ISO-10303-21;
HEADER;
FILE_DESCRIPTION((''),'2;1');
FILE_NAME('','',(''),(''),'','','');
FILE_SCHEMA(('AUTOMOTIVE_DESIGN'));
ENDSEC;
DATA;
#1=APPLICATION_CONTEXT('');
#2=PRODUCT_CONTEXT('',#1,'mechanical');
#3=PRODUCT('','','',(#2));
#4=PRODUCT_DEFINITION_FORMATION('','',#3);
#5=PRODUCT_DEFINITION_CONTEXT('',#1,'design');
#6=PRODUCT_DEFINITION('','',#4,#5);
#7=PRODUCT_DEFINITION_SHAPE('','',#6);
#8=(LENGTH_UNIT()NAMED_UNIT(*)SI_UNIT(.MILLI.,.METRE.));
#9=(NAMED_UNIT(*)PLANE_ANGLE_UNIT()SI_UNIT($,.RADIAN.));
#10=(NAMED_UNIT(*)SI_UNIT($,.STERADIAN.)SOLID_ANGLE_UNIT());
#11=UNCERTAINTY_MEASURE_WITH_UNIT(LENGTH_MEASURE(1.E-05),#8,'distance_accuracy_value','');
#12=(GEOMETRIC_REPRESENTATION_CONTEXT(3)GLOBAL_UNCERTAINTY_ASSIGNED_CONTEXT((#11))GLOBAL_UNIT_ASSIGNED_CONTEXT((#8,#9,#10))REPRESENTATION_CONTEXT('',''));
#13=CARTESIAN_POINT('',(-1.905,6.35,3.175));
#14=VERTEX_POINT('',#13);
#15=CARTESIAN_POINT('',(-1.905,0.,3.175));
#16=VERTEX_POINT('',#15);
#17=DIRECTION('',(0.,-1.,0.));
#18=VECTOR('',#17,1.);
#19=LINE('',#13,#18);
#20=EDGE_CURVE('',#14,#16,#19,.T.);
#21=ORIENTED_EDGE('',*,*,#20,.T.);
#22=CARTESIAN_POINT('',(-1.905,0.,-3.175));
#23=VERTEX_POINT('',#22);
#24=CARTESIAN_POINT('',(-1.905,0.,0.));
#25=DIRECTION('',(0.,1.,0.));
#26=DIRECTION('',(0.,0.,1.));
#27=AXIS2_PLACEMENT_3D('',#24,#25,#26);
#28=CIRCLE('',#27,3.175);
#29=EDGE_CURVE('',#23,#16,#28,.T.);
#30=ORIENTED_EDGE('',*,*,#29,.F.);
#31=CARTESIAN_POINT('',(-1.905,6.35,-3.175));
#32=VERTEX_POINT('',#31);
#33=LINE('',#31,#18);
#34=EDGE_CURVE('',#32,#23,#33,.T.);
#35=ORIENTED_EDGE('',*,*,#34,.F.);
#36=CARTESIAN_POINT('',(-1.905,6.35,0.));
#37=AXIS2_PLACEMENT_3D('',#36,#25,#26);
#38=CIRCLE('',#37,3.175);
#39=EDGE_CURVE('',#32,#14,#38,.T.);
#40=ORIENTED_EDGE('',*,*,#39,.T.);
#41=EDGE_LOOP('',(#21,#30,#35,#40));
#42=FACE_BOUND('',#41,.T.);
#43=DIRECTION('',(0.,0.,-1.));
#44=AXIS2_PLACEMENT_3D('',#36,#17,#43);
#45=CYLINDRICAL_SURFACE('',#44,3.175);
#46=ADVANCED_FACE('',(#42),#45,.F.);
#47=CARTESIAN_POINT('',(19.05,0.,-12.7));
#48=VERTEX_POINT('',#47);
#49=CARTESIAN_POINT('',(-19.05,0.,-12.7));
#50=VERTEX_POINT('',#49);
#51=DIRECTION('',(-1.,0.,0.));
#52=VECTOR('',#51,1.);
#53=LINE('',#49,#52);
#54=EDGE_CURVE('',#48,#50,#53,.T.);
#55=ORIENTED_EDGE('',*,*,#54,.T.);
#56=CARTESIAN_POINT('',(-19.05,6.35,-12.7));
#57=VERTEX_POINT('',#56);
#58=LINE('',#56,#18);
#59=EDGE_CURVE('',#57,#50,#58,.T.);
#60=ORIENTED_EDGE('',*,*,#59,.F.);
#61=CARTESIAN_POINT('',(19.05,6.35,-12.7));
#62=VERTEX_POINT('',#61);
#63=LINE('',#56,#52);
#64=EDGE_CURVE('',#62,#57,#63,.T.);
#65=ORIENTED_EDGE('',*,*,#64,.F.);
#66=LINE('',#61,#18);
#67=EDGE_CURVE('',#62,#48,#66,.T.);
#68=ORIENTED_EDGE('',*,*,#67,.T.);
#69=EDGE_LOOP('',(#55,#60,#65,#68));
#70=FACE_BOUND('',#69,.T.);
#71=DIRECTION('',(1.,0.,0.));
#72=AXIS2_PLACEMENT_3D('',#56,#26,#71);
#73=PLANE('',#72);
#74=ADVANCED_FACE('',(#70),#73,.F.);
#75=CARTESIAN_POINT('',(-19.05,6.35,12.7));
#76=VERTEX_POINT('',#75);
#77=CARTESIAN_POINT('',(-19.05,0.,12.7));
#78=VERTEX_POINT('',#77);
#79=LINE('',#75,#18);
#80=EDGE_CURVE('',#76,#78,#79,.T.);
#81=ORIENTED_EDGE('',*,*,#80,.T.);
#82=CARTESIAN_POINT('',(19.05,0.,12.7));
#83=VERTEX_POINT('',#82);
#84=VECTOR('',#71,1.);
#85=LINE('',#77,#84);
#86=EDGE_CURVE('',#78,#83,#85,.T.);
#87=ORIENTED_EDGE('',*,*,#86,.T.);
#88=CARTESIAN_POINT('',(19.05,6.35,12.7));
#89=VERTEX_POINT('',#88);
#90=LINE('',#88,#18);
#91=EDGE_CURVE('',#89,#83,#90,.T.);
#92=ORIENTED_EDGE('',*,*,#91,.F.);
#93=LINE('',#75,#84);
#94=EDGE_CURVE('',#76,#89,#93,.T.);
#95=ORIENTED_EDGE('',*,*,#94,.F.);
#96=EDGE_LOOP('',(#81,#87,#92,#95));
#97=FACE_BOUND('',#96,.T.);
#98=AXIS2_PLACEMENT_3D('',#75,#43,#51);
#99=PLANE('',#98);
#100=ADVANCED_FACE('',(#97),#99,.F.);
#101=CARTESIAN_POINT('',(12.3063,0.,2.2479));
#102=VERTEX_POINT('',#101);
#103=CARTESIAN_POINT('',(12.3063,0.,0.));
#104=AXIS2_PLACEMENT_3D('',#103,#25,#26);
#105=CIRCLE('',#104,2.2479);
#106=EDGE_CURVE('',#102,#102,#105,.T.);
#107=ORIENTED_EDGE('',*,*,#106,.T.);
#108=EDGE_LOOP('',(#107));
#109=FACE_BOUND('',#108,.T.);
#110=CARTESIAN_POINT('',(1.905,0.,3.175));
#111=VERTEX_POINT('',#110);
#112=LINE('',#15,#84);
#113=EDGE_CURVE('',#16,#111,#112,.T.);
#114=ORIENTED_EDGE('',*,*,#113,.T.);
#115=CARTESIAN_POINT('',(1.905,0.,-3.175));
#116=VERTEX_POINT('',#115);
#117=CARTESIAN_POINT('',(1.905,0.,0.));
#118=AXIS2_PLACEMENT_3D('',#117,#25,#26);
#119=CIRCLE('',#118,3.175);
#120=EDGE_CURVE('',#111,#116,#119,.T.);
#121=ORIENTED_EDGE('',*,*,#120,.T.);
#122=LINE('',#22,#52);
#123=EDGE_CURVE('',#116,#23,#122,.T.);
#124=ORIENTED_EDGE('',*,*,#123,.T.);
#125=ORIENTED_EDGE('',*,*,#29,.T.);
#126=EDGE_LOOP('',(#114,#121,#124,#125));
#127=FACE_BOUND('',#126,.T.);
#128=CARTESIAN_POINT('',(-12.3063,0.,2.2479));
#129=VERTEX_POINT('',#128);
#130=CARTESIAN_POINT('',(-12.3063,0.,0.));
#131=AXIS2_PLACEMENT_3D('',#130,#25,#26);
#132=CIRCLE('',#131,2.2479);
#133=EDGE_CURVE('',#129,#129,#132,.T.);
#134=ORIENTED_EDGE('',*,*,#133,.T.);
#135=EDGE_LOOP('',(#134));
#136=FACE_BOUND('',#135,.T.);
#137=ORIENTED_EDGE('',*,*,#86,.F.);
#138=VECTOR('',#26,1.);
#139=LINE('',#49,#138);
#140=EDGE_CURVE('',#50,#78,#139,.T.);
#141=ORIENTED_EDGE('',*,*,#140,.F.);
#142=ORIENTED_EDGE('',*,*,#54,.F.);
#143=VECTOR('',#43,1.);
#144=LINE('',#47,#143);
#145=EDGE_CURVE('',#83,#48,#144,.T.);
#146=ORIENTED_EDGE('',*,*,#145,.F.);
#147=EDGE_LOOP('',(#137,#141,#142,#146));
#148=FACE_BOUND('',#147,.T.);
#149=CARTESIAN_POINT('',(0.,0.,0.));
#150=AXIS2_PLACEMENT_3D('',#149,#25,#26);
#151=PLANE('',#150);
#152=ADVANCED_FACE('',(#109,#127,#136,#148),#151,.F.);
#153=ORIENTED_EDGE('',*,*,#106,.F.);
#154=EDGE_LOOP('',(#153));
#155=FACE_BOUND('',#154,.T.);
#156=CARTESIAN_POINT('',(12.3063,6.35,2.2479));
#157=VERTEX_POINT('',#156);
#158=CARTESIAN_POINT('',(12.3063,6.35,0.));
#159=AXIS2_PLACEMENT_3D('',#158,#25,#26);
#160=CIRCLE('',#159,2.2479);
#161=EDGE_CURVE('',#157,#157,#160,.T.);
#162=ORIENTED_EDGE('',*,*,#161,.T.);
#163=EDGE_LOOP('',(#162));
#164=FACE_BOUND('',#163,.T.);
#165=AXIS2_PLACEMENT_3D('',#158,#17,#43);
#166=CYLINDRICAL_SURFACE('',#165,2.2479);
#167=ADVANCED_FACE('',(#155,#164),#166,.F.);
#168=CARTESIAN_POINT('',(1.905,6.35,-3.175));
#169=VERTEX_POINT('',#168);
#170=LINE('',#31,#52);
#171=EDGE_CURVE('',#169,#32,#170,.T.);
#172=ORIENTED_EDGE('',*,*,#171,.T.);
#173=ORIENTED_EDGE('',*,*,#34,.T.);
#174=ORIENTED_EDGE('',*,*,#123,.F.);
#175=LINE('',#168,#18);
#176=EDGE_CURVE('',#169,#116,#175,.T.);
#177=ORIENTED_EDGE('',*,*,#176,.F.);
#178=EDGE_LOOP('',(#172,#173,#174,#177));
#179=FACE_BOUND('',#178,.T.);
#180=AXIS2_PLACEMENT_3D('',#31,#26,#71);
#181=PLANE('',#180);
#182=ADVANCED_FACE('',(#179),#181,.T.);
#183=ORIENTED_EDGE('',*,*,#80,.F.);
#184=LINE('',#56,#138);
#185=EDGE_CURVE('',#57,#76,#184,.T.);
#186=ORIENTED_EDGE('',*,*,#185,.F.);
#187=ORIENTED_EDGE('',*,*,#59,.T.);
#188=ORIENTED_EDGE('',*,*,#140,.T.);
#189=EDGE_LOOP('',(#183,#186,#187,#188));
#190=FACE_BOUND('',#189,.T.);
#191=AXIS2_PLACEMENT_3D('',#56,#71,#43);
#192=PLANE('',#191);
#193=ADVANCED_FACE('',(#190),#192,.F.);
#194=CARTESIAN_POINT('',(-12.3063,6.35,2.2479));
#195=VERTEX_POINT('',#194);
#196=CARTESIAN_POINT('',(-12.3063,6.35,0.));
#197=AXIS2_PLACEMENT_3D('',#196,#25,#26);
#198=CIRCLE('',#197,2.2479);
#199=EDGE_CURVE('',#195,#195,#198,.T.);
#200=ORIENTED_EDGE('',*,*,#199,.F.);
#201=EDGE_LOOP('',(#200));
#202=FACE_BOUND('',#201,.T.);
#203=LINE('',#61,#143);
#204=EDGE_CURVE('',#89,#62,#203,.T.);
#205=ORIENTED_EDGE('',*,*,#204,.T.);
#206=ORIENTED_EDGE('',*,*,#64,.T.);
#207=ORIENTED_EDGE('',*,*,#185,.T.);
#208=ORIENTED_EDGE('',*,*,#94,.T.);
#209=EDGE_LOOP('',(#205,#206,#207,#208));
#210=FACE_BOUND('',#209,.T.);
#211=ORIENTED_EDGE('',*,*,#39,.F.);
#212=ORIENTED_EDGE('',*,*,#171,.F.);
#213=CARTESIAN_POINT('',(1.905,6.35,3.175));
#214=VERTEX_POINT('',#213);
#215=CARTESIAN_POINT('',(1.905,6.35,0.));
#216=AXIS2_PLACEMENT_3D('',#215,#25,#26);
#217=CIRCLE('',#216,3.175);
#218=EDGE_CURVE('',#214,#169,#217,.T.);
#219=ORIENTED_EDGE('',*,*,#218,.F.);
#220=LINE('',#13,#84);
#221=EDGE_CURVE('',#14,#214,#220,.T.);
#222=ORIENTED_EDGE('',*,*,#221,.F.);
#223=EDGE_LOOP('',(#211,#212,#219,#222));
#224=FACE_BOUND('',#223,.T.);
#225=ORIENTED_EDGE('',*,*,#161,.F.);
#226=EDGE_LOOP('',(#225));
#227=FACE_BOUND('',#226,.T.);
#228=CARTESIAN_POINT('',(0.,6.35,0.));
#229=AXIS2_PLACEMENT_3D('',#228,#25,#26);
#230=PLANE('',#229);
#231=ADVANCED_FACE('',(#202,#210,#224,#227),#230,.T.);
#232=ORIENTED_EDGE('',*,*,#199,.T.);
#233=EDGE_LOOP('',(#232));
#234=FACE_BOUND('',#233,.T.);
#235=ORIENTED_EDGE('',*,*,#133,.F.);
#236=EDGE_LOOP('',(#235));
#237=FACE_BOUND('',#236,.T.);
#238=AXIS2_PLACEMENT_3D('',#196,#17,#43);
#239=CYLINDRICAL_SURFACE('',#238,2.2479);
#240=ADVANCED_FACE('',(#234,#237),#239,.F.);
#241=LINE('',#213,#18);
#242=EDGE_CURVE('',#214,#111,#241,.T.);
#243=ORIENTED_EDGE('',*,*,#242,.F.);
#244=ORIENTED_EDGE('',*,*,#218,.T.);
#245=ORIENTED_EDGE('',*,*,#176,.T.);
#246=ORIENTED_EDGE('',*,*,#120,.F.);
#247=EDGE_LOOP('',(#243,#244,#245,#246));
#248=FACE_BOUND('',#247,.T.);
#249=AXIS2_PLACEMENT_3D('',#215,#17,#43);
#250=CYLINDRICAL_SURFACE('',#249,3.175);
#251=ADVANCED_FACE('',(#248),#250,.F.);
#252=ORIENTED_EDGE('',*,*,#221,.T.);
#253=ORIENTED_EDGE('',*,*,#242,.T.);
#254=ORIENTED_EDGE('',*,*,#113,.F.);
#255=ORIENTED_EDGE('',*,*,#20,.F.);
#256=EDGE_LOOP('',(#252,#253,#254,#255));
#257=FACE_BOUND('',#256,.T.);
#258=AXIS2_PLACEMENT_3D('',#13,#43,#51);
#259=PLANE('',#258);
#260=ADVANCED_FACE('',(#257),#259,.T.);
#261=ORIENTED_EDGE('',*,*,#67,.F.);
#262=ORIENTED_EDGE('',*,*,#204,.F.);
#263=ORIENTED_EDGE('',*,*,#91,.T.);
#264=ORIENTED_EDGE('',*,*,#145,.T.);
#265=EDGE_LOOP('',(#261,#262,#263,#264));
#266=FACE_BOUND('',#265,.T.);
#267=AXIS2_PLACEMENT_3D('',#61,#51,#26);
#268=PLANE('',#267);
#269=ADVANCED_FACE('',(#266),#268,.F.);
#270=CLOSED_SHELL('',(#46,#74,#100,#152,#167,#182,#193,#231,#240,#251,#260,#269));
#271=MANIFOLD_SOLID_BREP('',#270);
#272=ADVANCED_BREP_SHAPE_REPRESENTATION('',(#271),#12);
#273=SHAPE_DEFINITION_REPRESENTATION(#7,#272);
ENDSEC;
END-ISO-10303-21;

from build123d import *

# Parameters (mm, degrees)
SKETCH1_W           = 38.1
SKETCH1_H           = 25.4
SKETCH1_R           = 2.2479
BOSS_EXTRUDE1_DEPTH = 6.35


with BuildPart() as part:
    # Sketch1 → Boss-Extrude1 (new body)
    with BuildSketch(Plane(origin=(0, 0, 0), x_dir=(1, 0, 0), z_dir=(0, 1, 0))):
        Rectangle(SKETCH1_W, SKETCH1_H)
        with Locations(Location((-12.3063, 0, 0), (0, 0, 270))):
            Circle(SKETCH1_R, mode=Mode.SUBTRACT)
        with Locations(Location((12.3063, 0, 0), (0, 0, 270))):
            Circle(SKETCH1_R, mode=Mode.SUBTRACT)
        with BuildLine():
            Line((-1.905, 3.175), (1.905, 3.175))
            ThreePointArc((1.905, 3.175), (5.08, 0), (1.905, -3.175))
            Line((1.905, -3.175), (-1.905, -3.175))
            ThreePointArc((-1.905, -3.175), (-5.08, 0), (-1.905, 3.175))
        make_face(mode=Mode.SUBTRACT)
    extrude(amount=BOSS_EXTRUDE1_DEPTH)


solid = part.part
